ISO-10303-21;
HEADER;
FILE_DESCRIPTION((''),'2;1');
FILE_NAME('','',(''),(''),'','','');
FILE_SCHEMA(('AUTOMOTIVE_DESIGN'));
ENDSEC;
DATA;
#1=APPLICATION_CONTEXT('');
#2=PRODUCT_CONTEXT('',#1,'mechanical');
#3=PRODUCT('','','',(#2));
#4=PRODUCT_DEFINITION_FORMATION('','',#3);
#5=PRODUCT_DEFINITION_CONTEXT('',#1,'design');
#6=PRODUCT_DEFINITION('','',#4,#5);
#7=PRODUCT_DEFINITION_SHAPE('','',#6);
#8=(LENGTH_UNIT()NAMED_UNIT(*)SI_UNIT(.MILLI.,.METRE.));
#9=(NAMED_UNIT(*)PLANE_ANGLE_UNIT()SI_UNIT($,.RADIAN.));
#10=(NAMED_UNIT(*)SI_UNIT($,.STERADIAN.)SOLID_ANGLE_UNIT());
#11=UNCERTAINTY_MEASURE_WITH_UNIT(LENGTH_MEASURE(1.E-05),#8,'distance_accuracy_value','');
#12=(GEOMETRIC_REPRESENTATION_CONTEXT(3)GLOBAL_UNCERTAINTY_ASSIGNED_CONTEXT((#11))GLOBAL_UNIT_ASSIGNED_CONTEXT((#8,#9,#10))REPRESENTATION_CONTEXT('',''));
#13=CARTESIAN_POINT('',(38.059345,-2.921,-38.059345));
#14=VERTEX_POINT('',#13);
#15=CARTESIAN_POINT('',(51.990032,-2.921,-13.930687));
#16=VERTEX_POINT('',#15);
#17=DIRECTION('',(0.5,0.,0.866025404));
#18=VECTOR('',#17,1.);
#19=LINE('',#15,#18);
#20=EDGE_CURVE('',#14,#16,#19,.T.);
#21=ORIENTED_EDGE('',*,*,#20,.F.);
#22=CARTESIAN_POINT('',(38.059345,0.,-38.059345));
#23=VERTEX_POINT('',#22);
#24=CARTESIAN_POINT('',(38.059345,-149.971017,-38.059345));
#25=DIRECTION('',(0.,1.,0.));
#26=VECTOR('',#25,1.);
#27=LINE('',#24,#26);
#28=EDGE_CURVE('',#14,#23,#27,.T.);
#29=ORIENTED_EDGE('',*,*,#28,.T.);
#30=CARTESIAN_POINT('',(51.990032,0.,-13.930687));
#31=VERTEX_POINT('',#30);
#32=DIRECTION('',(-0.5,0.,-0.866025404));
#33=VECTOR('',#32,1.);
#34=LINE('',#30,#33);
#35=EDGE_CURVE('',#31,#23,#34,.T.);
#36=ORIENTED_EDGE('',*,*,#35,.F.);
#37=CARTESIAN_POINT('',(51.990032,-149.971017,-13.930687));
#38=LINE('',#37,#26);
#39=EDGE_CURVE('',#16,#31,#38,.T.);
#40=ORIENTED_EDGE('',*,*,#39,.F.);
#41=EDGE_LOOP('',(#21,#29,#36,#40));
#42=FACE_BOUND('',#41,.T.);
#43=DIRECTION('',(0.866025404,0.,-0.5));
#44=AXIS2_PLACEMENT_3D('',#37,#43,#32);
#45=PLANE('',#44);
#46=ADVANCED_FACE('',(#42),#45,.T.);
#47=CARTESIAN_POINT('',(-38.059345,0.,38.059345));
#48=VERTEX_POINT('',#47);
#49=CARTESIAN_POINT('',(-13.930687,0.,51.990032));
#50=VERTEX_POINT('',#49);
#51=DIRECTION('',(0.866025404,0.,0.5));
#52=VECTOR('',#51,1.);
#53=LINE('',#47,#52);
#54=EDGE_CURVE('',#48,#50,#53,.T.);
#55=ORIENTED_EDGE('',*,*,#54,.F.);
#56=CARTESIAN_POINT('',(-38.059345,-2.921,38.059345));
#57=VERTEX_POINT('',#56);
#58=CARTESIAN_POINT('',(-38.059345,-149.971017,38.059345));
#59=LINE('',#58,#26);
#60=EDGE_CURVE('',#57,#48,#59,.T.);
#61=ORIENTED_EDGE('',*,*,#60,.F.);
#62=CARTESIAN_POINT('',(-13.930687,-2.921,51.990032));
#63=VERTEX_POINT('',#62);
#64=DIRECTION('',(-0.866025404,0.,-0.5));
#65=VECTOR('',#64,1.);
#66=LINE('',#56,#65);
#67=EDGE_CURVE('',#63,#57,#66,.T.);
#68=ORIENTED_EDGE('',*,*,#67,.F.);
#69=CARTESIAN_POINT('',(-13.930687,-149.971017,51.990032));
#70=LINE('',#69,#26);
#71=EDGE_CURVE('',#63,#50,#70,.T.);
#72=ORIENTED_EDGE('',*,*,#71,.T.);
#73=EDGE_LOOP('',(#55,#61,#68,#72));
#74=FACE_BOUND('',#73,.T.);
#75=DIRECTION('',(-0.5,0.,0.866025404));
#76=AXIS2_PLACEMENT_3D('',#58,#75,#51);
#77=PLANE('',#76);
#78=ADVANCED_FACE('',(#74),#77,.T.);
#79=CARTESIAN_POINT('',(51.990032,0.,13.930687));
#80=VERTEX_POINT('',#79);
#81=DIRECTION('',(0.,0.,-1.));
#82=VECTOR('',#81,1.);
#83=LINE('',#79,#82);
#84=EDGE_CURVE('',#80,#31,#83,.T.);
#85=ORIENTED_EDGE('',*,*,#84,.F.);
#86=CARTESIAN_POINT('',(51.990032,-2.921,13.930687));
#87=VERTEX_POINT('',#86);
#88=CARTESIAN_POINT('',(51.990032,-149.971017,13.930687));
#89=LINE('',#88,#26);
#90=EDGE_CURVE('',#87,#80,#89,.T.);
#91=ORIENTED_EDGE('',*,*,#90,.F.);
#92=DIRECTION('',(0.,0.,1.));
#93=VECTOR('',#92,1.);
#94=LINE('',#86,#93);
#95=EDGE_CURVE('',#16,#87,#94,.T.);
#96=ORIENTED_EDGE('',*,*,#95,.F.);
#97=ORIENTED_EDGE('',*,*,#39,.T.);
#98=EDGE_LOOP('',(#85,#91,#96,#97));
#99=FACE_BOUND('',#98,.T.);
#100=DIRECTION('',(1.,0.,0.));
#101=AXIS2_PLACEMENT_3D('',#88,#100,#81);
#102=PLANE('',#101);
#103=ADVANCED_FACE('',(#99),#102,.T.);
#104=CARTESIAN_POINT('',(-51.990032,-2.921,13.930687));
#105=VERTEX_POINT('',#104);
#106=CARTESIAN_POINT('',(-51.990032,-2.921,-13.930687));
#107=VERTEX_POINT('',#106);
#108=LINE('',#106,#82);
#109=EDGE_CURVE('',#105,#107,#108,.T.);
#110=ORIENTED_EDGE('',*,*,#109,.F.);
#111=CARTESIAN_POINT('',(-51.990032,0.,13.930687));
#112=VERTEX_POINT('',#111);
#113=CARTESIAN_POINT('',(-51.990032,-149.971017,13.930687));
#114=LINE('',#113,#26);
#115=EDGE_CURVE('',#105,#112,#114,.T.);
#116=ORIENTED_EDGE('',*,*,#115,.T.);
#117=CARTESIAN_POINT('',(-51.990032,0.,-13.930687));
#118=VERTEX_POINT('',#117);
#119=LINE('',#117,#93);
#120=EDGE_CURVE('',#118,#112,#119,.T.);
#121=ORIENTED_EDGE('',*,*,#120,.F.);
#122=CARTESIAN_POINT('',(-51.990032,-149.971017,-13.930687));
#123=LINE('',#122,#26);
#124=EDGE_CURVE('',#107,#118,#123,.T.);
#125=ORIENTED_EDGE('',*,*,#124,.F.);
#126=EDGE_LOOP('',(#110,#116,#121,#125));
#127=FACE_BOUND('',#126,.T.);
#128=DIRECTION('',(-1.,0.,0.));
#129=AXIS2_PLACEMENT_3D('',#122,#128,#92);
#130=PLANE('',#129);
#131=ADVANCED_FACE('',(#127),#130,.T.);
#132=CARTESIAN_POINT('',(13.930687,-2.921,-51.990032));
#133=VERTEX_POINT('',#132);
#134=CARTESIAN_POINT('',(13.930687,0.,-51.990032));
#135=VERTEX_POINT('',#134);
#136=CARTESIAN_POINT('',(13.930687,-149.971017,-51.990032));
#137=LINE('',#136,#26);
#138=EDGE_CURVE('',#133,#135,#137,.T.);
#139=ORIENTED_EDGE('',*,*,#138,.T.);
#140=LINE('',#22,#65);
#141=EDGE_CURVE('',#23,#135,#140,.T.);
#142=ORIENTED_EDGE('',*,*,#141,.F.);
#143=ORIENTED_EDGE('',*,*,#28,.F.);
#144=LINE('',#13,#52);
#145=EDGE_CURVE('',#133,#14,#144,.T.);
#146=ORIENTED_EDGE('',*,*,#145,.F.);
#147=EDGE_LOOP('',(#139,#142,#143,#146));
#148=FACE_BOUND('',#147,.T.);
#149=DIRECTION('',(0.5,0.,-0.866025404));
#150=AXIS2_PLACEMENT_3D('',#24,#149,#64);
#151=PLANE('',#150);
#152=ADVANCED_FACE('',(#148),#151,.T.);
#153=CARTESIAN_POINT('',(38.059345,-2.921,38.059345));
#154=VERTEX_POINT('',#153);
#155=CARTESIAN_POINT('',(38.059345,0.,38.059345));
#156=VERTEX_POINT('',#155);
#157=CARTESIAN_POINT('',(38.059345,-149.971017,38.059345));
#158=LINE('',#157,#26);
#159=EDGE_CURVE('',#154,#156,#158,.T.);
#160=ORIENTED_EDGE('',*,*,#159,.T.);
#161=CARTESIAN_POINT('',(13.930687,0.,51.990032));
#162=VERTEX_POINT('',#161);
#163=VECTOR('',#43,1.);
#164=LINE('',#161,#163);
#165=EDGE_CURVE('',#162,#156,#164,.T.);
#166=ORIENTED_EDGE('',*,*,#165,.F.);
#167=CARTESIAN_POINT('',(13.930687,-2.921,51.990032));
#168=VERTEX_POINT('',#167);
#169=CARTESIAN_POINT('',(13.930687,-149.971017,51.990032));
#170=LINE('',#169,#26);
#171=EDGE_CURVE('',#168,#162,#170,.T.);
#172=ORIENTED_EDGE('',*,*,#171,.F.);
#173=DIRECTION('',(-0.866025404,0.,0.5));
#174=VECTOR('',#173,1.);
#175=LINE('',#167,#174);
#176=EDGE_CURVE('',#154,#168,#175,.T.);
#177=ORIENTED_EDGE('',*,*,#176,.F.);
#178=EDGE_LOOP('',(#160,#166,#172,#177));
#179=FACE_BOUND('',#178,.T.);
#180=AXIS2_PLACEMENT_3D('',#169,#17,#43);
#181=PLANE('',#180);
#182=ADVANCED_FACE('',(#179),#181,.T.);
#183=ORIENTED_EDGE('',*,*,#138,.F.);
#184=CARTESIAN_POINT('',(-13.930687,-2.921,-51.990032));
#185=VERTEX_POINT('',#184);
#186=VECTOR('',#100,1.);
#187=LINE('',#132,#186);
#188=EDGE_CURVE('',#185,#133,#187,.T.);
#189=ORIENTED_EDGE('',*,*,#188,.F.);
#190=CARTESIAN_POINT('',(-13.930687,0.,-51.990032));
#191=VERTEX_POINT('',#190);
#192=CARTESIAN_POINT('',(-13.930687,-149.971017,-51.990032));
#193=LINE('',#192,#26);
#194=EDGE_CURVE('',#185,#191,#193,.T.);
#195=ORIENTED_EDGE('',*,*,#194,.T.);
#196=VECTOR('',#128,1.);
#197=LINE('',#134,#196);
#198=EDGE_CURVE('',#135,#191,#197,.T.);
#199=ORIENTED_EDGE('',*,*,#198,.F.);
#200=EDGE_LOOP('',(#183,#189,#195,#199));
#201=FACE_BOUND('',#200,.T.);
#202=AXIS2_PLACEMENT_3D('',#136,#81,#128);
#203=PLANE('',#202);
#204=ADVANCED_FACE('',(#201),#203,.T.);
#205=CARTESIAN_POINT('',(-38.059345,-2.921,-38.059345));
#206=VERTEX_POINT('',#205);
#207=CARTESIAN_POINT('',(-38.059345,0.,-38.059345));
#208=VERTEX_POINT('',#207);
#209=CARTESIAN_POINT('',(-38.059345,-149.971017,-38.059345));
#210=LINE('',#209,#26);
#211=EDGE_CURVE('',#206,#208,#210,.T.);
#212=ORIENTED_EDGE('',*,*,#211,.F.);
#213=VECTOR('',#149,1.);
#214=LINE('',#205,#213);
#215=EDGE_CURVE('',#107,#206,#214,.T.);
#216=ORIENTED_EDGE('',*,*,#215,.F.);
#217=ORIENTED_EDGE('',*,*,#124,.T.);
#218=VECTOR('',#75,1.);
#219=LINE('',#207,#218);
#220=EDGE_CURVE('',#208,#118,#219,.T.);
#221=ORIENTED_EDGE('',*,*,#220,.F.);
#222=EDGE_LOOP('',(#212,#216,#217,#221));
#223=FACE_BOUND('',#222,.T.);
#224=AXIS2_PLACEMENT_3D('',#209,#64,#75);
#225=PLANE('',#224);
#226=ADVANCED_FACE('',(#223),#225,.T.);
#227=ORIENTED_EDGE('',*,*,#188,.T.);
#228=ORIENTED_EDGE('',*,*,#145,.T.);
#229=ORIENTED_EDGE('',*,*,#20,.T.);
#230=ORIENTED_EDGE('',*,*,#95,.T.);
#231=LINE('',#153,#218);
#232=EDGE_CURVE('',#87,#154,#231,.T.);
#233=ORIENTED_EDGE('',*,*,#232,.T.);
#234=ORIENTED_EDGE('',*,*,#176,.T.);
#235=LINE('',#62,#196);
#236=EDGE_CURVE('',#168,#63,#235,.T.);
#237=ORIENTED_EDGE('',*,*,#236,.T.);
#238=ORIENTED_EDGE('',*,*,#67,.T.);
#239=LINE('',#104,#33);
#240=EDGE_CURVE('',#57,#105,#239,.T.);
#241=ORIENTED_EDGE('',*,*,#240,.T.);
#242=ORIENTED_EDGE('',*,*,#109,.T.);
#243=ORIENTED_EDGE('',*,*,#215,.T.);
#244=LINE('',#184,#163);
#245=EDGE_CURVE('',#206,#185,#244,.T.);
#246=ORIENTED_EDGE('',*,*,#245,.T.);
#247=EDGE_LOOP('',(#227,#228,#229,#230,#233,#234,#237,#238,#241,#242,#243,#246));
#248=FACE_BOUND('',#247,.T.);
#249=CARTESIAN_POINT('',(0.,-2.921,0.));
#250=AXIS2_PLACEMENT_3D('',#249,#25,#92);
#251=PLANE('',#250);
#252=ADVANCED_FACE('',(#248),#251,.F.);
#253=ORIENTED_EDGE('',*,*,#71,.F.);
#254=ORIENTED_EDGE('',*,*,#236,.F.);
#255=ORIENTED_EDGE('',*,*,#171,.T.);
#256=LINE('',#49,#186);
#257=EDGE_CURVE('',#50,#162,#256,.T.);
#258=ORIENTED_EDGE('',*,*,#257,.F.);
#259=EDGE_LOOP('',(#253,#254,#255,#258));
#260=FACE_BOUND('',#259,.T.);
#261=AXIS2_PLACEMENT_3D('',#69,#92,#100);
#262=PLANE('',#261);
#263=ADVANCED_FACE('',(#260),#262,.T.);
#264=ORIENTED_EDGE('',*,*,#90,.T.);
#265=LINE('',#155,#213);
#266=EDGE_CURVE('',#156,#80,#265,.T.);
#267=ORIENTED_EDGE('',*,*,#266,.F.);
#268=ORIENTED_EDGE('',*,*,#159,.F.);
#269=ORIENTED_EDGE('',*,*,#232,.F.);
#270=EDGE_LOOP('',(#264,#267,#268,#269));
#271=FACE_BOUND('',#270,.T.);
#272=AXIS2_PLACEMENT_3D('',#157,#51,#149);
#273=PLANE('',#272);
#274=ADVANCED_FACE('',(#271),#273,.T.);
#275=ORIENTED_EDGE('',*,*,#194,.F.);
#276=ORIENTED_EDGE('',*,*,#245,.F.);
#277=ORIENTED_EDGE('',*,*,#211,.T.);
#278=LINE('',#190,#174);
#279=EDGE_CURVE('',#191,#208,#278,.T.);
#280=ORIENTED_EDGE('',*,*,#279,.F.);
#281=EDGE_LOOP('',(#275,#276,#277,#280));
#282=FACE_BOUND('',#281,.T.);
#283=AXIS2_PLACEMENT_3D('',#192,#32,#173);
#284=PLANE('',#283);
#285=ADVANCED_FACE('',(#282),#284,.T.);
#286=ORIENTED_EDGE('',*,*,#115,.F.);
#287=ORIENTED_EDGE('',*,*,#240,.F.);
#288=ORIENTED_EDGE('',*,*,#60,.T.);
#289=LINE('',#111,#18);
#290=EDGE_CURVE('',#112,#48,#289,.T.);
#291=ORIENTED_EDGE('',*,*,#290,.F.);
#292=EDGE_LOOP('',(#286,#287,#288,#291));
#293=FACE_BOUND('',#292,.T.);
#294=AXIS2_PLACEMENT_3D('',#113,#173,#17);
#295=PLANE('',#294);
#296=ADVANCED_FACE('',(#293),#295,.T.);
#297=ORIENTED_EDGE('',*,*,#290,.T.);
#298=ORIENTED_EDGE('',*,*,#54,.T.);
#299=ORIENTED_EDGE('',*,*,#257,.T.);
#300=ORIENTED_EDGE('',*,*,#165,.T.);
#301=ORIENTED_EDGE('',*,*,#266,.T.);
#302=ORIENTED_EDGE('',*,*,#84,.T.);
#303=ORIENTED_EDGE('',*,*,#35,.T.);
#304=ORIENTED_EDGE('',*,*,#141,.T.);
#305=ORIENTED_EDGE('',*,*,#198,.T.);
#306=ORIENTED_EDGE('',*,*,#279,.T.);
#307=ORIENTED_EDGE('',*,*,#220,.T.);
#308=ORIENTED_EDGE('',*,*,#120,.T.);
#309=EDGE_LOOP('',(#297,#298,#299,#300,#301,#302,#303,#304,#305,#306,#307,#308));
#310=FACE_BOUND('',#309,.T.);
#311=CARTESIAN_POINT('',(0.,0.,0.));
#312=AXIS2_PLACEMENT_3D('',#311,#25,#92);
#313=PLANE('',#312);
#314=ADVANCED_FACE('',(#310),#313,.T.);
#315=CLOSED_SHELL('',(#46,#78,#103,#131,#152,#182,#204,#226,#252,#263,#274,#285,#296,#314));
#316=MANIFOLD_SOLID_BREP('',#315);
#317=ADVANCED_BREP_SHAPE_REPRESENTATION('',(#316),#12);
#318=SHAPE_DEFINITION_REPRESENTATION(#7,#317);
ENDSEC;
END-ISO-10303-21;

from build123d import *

# Parameters (mm, degrees)
BOSS_EXTRUDE1_DEPTH = 2.921
BOSS_EXTRUDE2_DEPTH = 2.921


with BuildPart() as part:
    # Sketch1 → Boss-Extrude1 (new body)
    with BuildSketch(Plane(origin=(0, 0, 0), x_dir=(1, 0, 0), z_dir=(0, 1, 0))):
        Polygon((49.069031975, 13.148007491), (35.921024484, 35.921024484), (13.148007491, 49.069031975), (-13.148007491, 49.069031975), (-35.921024484, 35.921024484), (-49.069031975, 13.148007491), (-49.069031975, -13.148007491), (-35.921024484, -35.921024484), (-13.148007491, -49.069031975), (13.148007491, -49.069031975), (35.921024484, -35.921024484), (49.069031975, -13.148007491), align=None)
    extrude(amount=-BOSS_EXTRUDE1_DEPTH)

    # Sketch2 → Boss-Extrude2 (add)
    with BuildSketch(Plane(origin=(0, 0, 0), x_dir=(1, 0, 0), z_dir=(0, 1, 0))):
        Polygon((51.990031975, 13.930687082), (38.059344893, 38.059344893), (13.930687082, 51.990031975), (-13.930687082, 51.990031975), (-38.059344893, 38.059344893), (-51.990031975, 13.930687082), (-51.990031975, -13.930687082), (-38.059344893, -38.059344893), (-13.930687082, -51.990031975), (13.930687082, -51.990031975), (38.059344893, -38.059344893), (51.990031975, -13.930687082), align=None)
        Polygon((49.069031975, 13.148007491), (35.921024484, 35.921024484), (13.148007491, 49.069031975), (-13.148007491, 49.069031975), (-35.921024484, 35.921024484), (-49.069031975, 13.148007491), (-49.069031975, -13.148007491), (-35.921024484, -35.921024484), (-13.148007491, -49.069031975), (13.148007491, -49.069031975), (35.921024484, -35.921024484), (49.069031975, -13.148007491), align=None, mode=Mode.SUBTRACT)
    extrude(amount=-BOSS_EXTRUDE2_DEPTH)


solid = part.part
